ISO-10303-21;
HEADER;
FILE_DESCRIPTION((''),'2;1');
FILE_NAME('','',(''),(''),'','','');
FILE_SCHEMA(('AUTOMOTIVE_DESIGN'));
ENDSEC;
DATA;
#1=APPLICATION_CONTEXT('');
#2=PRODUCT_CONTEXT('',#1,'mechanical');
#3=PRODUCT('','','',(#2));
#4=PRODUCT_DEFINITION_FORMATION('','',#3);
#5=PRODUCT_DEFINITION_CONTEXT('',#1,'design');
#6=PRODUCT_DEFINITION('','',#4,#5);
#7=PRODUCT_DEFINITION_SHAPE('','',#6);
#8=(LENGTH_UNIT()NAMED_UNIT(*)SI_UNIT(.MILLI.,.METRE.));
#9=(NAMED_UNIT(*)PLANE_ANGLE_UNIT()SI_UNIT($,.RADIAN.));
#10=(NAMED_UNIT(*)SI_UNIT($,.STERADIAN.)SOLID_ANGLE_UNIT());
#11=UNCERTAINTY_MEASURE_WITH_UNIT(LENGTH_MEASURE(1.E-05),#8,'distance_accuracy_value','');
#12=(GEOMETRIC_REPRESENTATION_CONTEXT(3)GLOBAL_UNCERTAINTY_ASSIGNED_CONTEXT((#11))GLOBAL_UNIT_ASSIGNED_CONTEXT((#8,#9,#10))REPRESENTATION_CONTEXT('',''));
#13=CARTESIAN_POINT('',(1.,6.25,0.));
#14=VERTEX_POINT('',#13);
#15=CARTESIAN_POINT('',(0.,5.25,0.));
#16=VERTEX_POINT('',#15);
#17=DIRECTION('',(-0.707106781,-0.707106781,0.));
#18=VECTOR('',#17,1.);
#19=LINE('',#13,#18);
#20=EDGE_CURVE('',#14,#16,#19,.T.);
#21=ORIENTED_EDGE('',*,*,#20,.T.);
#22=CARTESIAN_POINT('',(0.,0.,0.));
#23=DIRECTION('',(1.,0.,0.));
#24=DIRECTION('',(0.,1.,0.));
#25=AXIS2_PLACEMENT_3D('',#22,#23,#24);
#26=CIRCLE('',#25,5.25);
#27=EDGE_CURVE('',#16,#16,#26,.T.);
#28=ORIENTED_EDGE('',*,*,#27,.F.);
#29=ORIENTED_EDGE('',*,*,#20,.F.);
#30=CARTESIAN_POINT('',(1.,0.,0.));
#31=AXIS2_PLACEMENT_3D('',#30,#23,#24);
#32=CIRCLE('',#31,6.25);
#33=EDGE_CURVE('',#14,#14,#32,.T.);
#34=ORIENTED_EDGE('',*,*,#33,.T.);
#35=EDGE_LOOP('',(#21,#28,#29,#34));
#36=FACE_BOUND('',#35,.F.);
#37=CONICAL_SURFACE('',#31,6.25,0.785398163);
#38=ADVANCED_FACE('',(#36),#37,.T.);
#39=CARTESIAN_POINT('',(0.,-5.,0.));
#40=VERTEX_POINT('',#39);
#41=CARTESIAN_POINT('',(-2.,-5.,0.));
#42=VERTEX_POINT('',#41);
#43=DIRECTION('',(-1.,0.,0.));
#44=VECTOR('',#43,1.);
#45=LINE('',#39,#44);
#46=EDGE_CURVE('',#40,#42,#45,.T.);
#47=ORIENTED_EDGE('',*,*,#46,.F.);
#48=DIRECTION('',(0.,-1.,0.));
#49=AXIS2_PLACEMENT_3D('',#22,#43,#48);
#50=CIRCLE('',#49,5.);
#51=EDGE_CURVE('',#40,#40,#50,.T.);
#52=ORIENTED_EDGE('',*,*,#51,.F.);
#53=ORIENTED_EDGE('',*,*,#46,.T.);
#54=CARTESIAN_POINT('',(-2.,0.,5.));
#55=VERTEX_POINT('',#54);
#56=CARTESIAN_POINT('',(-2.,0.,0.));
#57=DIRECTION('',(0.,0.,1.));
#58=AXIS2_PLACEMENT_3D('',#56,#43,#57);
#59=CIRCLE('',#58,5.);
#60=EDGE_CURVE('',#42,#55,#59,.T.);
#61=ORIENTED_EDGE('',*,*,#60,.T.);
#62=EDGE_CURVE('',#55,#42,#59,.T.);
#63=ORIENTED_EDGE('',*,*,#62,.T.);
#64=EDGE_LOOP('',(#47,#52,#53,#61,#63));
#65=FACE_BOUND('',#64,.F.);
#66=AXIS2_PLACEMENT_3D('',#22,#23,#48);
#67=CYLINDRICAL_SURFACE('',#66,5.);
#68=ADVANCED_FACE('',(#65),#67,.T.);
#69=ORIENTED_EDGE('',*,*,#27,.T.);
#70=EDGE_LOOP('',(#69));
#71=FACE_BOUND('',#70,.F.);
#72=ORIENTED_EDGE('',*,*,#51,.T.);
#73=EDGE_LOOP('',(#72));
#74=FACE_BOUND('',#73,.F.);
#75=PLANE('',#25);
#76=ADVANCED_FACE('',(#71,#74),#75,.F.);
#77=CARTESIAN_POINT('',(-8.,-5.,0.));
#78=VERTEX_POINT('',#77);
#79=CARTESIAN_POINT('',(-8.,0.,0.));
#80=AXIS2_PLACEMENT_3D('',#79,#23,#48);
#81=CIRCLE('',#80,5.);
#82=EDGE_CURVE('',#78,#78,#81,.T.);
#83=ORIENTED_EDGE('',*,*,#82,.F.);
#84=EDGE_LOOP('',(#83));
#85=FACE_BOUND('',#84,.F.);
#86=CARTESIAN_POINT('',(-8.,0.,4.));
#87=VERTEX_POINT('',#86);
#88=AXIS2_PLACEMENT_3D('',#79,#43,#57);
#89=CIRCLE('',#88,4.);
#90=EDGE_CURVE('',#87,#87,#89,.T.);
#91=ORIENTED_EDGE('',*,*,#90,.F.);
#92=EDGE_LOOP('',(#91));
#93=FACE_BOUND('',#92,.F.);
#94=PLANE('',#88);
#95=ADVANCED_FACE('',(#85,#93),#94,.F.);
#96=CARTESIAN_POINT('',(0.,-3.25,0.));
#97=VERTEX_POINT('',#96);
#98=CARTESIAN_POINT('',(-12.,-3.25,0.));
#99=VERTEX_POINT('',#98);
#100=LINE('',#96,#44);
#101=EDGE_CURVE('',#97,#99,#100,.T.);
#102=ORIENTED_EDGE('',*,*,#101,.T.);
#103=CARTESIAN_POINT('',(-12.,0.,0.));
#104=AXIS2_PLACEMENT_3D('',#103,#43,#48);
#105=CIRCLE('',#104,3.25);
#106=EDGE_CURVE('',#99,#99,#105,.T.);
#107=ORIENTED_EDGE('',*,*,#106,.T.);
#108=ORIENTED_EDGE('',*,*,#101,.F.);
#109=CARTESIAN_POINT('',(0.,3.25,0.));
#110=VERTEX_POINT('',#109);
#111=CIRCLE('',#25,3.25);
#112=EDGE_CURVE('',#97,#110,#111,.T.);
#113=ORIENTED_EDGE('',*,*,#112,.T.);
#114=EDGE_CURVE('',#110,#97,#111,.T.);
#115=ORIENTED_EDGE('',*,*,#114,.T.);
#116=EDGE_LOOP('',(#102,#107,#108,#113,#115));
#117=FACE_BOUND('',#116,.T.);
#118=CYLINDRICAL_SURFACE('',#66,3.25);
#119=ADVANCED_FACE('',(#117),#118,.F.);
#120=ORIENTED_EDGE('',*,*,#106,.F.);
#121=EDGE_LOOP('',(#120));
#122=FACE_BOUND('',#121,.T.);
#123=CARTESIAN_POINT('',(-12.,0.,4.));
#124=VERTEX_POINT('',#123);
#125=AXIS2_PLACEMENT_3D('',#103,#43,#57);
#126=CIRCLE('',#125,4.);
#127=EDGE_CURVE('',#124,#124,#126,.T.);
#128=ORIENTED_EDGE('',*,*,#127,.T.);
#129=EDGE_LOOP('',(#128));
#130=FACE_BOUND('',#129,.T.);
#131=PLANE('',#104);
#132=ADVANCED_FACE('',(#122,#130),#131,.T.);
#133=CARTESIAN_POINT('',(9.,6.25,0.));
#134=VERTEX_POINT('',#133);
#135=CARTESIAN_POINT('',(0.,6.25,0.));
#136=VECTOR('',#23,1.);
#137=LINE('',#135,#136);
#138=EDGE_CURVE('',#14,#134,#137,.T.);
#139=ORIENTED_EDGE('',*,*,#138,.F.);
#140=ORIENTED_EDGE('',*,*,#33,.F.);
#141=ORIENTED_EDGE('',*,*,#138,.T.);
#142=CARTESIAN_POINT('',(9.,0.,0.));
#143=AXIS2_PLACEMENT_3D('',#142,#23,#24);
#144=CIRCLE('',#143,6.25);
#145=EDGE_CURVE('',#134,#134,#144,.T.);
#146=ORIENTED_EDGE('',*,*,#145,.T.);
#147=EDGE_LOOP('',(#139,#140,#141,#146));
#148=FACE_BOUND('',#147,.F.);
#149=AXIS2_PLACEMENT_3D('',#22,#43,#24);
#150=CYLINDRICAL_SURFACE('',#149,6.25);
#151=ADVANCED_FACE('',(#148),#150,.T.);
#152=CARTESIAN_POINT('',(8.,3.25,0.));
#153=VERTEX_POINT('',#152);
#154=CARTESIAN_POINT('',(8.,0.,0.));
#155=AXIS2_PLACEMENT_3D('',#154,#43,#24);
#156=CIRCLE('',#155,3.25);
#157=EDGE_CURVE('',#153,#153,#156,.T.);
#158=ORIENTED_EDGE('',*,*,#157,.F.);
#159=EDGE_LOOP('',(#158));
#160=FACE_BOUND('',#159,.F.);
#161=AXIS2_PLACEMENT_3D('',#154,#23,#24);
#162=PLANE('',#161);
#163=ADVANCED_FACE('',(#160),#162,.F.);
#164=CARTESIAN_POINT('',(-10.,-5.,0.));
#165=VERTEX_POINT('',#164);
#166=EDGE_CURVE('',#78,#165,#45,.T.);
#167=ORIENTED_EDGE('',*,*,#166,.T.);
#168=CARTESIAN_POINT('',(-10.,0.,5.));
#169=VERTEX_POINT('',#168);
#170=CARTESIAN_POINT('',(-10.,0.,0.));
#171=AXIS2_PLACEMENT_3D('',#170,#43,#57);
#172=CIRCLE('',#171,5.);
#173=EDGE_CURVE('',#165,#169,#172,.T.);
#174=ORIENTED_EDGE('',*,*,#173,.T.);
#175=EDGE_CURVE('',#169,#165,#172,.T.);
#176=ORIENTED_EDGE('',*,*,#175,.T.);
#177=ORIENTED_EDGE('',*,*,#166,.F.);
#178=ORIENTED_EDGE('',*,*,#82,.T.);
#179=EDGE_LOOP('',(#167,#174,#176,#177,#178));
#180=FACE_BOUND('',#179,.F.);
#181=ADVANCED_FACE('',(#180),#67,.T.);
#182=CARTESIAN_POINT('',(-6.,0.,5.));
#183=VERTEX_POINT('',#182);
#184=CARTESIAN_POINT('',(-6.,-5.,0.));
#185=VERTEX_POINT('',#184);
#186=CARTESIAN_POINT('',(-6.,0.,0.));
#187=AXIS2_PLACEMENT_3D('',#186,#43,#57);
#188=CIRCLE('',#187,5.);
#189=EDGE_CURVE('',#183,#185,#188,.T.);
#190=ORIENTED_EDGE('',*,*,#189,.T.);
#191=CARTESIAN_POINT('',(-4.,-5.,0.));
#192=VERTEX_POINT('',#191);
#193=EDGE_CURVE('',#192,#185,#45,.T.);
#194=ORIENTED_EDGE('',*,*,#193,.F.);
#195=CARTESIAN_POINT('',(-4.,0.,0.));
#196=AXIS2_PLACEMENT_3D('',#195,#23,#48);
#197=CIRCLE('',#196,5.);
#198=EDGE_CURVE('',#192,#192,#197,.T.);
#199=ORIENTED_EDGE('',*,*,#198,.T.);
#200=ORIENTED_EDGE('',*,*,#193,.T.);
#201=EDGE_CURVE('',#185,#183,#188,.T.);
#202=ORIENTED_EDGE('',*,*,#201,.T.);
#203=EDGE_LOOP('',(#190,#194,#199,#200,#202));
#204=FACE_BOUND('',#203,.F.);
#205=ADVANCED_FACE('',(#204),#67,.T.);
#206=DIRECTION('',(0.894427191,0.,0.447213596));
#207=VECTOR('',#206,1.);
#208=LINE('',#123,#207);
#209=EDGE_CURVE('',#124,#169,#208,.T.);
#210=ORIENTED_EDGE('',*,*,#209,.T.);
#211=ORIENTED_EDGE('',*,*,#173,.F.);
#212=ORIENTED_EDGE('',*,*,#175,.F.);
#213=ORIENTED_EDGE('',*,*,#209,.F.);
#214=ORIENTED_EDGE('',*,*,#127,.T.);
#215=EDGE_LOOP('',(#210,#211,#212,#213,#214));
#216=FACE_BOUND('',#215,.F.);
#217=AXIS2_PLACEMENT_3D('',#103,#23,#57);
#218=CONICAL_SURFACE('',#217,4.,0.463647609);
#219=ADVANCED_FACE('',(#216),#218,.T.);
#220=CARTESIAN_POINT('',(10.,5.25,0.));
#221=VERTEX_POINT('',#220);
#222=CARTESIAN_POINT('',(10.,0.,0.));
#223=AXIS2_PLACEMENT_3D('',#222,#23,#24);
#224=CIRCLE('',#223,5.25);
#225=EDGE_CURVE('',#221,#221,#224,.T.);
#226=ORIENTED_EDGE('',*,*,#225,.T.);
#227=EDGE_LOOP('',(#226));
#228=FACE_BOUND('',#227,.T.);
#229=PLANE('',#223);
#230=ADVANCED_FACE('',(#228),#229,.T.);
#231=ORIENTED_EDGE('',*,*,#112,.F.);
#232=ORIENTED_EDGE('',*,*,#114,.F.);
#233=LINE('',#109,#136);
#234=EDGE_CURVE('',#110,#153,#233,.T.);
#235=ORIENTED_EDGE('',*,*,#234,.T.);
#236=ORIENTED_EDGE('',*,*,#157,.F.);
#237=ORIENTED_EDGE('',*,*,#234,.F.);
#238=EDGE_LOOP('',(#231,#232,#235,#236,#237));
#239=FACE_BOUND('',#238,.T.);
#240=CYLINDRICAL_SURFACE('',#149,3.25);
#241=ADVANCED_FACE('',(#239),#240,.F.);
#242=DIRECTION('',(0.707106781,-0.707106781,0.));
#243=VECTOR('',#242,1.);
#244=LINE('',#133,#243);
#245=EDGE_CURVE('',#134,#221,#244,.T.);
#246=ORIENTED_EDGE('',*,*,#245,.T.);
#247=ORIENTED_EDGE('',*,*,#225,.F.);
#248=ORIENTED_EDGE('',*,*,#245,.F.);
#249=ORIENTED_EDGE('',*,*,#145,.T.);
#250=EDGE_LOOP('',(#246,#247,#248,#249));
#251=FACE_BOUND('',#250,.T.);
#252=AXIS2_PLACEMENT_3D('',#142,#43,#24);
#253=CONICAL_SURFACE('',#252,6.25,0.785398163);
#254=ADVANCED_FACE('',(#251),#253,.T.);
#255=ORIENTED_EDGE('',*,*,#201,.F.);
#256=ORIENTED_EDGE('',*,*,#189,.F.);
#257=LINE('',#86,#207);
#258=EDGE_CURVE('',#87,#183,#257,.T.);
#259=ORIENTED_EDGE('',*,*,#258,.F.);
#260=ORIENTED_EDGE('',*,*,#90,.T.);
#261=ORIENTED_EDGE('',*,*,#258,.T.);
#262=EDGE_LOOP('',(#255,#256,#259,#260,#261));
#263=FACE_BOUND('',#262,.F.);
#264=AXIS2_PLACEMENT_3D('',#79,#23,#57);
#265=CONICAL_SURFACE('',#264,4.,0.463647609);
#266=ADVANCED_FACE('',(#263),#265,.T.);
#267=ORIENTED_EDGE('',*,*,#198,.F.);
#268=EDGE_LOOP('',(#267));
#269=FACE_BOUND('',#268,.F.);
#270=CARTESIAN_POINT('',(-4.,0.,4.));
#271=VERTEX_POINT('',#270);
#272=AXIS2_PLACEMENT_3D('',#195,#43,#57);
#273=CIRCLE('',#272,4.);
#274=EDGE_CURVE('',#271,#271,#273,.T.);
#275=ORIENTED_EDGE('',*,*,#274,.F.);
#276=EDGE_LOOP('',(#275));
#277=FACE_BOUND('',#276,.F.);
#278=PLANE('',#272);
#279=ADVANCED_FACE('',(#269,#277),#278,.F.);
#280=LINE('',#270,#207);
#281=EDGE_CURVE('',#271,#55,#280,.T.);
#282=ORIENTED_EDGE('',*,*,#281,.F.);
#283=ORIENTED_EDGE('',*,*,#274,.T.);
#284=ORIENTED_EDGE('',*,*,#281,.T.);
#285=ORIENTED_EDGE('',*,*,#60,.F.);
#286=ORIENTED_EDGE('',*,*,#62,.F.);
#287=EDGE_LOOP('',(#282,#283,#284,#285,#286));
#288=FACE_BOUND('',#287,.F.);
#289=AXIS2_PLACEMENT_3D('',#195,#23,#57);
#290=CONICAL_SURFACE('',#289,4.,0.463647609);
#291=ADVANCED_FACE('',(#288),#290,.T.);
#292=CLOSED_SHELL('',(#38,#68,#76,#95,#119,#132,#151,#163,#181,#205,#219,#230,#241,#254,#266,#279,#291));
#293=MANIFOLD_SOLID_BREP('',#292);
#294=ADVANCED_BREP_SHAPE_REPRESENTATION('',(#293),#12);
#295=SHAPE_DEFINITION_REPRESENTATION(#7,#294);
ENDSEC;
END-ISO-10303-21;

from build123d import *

# Parameters (mm, degrees)
F0_R     = 6.25
F0_R_2   = 3.25
F1_DEPTH = 10
F2_R     = 5
F2_R_2   = 3.25
F3_DEPTH = 12
F6_R     = 6.25
F7_DEPTH = 2
F8_SIZE  = 1


with BuildPart() as f1:
    # F0 (on Right) → F1 (new body)
    with BuildSketch(Plane.YZ):
        Circle(F0_R)
        Circle(F0_R_2, mode=Mode.SUBTRACT)
    extrude(amount=F1_DEPTH)

    # F2 (on face) → F3 (join)
    with BuildSketch(Plane(origin=(0, 0, 0), x_dir=(0, -1, 0), z_dir=(-1, 0, 0))):
        Circle(F2_R)
        Circle(F2_R_2, mode=Mode.SUBTRACT)
    extrude(amount=F3_DEPTH)

    # F4 (on Front) → F5 (revolve, cut)
    with BuildSketch(Plane.XZ):
        Polygon((-10, 5), (-12, 5), (-12, 4), align=None)
        Polygon((-8, 4), (-6, 5), (-8, 5), align=None)
        Polygon((-4, 4), (-2, 5), (-4, 5), align=None)
    revolve(axis=Axis((-10, 0, 0), (-1, 0, 0)), mode=Mode.SUBTRACT)

    # F6 (on face) → F7 (join)
    with BuildSketch(Plane.YZ.offset(10)):
        Circle(F6_R)
    extrude(amount=-F7_DEPTH)

    # F8
    f8_edges = [f1.edges().sort_by_distance(p)[0] for p in [
        (10, -6.25, 0),
        (0, -6.25, 0),
    ]]
    chamfer(f8_edges, length=F8_SIZE)


solid = f1.part
